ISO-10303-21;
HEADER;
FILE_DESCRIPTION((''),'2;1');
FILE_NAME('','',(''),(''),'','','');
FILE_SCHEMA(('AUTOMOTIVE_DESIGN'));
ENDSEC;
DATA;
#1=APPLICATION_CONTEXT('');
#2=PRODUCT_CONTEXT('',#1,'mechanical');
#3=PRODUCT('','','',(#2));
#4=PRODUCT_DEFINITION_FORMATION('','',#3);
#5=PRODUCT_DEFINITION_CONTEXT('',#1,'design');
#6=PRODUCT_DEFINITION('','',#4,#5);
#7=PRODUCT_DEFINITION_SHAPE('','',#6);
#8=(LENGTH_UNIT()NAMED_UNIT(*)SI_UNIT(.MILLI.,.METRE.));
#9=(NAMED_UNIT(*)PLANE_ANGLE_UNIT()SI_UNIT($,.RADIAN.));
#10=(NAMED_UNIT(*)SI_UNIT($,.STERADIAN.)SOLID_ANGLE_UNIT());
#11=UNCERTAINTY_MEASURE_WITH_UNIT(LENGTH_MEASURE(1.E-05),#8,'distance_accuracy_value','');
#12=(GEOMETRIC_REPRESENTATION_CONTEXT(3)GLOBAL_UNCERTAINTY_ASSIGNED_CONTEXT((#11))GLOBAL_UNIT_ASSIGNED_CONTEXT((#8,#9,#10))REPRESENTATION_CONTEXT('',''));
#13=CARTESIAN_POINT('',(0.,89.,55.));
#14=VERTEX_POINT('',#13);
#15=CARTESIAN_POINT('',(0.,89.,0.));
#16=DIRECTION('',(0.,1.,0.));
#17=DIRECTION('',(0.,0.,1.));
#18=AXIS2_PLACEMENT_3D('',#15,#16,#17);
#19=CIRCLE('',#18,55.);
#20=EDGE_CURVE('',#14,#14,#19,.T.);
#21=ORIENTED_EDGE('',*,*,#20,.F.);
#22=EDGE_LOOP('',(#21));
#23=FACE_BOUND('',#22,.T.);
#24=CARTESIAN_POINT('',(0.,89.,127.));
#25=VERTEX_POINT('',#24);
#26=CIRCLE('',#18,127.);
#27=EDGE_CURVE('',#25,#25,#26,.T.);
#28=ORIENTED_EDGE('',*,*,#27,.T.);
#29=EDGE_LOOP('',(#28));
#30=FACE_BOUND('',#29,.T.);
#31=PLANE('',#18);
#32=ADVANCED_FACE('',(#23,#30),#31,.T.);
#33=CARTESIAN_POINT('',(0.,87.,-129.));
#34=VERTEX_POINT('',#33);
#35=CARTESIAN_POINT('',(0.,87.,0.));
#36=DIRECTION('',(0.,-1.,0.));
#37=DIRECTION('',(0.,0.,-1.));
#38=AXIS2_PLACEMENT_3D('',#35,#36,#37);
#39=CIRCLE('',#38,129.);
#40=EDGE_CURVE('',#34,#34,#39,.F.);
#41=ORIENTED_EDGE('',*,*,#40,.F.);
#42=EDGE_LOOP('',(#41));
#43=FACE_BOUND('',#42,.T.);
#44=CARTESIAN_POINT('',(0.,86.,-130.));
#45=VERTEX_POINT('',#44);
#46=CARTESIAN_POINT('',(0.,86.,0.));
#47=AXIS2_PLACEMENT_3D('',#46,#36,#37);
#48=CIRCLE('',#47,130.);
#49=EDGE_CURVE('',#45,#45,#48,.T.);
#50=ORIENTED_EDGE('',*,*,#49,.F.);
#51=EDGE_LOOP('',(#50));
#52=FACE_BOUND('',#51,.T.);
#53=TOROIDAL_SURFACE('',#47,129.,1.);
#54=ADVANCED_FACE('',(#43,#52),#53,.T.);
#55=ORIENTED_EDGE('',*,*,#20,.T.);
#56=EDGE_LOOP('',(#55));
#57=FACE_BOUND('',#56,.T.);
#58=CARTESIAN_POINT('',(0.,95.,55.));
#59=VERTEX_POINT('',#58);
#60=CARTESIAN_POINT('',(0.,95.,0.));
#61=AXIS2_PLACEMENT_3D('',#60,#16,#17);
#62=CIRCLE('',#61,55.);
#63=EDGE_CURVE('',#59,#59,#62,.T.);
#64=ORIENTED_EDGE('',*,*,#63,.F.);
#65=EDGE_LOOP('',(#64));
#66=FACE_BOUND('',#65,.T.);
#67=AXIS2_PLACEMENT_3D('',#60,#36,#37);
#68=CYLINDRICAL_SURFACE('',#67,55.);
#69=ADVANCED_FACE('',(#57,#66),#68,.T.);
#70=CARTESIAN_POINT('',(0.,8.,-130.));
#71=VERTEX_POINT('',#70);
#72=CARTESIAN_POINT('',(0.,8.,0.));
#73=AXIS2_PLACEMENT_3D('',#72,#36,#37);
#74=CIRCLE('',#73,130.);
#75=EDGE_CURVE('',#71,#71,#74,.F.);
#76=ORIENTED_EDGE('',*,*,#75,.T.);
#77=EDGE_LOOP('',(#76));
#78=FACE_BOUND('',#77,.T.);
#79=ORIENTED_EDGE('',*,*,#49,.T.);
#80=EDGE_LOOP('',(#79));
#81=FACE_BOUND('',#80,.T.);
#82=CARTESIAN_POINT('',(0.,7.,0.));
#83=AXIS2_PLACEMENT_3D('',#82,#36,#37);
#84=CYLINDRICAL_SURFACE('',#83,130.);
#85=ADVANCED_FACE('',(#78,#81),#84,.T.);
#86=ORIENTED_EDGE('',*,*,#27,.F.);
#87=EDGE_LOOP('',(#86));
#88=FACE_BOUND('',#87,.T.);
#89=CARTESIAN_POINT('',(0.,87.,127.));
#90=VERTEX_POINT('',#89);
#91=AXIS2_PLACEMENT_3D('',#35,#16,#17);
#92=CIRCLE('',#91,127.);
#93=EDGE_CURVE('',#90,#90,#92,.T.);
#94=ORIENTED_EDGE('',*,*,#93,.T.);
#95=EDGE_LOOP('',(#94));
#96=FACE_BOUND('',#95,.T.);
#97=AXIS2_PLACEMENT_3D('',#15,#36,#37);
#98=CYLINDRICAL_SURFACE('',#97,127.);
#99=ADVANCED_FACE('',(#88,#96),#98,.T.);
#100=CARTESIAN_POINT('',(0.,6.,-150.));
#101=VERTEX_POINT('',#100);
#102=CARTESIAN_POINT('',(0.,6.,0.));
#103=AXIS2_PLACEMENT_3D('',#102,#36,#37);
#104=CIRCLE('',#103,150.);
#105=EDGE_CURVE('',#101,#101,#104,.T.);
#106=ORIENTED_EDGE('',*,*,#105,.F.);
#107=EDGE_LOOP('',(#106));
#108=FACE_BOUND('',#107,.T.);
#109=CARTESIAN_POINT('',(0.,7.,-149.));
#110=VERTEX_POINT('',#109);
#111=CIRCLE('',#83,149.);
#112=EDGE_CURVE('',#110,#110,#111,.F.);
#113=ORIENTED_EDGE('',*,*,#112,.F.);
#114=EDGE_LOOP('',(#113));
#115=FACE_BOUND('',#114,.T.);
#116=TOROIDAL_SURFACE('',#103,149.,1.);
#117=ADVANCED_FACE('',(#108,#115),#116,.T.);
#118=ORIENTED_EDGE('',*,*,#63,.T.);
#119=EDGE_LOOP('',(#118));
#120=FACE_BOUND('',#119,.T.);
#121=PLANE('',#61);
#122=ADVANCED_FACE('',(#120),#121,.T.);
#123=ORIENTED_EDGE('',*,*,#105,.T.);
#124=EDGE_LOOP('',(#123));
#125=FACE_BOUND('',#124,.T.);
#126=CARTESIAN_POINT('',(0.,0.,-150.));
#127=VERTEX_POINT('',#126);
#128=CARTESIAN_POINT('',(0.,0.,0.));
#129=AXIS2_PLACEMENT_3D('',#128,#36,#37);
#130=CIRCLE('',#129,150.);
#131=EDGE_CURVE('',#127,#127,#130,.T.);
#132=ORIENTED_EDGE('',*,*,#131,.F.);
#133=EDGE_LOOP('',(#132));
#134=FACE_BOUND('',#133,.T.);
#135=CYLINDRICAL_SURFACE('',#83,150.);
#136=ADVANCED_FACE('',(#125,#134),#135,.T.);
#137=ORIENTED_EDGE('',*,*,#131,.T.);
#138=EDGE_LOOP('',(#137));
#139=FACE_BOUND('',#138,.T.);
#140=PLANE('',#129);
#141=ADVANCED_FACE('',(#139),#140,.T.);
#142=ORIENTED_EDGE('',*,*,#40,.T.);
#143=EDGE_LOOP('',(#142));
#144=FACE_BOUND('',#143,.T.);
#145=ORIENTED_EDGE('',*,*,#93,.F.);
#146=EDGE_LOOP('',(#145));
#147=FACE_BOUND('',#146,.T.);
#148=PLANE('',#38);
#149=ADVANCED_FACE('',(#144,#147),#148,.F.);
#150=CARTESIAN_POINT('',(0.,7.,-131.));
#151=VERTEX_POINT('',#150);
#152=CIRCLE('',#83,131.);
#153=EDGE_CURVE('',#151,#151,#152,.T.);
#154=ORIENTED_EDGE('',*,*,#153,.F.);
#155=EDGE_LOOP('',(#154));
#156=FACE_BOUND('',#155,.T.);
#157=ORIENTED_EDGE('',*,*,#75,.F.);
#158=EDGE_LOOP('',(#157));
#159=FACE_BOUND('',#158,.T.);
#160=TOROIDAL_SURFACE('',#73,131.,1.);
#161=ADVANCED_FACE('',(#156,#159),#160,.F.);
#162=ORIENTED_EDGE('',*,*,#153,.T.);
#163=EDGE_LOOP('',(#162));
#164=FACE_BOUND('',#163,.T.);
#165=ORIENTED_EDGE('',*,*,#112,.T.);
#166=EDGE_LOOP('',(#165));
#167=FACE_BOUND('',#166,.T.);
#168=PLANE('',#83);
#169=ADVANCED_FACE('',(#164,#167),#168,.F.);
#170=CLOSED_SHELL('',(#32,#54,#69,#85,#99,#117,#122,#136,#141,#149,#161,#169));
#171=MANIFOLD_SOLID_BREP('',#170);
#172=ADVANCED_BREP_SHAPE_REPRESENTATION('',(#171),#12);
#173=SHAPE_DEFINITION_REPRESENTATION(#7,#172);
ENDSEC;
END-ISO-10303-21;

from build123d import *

# Parameters (mm, degrees)
IZIM2_W                     = 150
IZIM2_H                     = 7
IZIM2_W_2                   = 130
IZIM2_H_2                   = 80
IZIM3_R                     = 127
Y_KSEKLIK_EKSTR_ZYON1_DEPTH = 2
RADYUS1_R                   = 1
RADYUS2_R                   = 1
IZIM5_R                     = 55
Y_KSEKLIK_EKSTR_ZYON2_DEPTH = 6


with BuildPart() as part:
    # Çizim2 → Döndür1 (revolve)
    with BuildSketch(Plane.XY, mode=Mode.PRIVATE) as d_nd_r1_sk:
        with Locations((-75, 3.5)):
            Rectangle(IZIM2_W, IZIM2_H)
        with Locations((-65, 47)):
            Rectangle(IZIM2_W_2, IZIM2_H_2)
    revolve(d_nd_r1_sk.sketch.rotate(Axis((0, 7, 0), (0, 1, 0)), 270), axis=Axis((0, 7, 0), (0, 1, 0)))

    # Çizim3 → Yükseklik-Ekstrüzyon1 (add)
    with BuildSketch(Plane(origin=(0, 87, 0), x_dir=(1, 0, 0), z_dir=(0, 1, 0))):
        with Locations(Location((0, 0, 0), (0, 0, 270))):
            Circle(IZIM3_R)
    extrude(amount=Y_KSEKLIK_EKSTR_ZYON1_DEPTH)

    # Radyus1
    radyus1_edges = [part.edges().sort_by_distance(p)[0] for p in [
        (0, 87, 130),
        (0, 7, 130),
    ]]
    fillet(radyus1_edges, radius=RADYUS1_R)

    # Radyus2
    radyus2_edges = [part.edges().sort_by_distance(p)[0] for p in [
        (0, 7, 150),
    ]]
    fillet(radyus2_edges, radius=RADYUS2_R)

    # Çizim5 → Yükseklik-Ekstrüzyon2 (add)
    with BuildSketch(Plane(origin=(0, 89, 0), x_dir=(1, 0, 0), z_dir=(0, 1, 0))):
        with Locations(Location((0, 0, 0), (0, 0, 270))):
            Circle(IZIM5_R)
    extrude(amount=Y_KSEKLIK_EKSTR_ZYON2_DEPTH)


solid = part.part
